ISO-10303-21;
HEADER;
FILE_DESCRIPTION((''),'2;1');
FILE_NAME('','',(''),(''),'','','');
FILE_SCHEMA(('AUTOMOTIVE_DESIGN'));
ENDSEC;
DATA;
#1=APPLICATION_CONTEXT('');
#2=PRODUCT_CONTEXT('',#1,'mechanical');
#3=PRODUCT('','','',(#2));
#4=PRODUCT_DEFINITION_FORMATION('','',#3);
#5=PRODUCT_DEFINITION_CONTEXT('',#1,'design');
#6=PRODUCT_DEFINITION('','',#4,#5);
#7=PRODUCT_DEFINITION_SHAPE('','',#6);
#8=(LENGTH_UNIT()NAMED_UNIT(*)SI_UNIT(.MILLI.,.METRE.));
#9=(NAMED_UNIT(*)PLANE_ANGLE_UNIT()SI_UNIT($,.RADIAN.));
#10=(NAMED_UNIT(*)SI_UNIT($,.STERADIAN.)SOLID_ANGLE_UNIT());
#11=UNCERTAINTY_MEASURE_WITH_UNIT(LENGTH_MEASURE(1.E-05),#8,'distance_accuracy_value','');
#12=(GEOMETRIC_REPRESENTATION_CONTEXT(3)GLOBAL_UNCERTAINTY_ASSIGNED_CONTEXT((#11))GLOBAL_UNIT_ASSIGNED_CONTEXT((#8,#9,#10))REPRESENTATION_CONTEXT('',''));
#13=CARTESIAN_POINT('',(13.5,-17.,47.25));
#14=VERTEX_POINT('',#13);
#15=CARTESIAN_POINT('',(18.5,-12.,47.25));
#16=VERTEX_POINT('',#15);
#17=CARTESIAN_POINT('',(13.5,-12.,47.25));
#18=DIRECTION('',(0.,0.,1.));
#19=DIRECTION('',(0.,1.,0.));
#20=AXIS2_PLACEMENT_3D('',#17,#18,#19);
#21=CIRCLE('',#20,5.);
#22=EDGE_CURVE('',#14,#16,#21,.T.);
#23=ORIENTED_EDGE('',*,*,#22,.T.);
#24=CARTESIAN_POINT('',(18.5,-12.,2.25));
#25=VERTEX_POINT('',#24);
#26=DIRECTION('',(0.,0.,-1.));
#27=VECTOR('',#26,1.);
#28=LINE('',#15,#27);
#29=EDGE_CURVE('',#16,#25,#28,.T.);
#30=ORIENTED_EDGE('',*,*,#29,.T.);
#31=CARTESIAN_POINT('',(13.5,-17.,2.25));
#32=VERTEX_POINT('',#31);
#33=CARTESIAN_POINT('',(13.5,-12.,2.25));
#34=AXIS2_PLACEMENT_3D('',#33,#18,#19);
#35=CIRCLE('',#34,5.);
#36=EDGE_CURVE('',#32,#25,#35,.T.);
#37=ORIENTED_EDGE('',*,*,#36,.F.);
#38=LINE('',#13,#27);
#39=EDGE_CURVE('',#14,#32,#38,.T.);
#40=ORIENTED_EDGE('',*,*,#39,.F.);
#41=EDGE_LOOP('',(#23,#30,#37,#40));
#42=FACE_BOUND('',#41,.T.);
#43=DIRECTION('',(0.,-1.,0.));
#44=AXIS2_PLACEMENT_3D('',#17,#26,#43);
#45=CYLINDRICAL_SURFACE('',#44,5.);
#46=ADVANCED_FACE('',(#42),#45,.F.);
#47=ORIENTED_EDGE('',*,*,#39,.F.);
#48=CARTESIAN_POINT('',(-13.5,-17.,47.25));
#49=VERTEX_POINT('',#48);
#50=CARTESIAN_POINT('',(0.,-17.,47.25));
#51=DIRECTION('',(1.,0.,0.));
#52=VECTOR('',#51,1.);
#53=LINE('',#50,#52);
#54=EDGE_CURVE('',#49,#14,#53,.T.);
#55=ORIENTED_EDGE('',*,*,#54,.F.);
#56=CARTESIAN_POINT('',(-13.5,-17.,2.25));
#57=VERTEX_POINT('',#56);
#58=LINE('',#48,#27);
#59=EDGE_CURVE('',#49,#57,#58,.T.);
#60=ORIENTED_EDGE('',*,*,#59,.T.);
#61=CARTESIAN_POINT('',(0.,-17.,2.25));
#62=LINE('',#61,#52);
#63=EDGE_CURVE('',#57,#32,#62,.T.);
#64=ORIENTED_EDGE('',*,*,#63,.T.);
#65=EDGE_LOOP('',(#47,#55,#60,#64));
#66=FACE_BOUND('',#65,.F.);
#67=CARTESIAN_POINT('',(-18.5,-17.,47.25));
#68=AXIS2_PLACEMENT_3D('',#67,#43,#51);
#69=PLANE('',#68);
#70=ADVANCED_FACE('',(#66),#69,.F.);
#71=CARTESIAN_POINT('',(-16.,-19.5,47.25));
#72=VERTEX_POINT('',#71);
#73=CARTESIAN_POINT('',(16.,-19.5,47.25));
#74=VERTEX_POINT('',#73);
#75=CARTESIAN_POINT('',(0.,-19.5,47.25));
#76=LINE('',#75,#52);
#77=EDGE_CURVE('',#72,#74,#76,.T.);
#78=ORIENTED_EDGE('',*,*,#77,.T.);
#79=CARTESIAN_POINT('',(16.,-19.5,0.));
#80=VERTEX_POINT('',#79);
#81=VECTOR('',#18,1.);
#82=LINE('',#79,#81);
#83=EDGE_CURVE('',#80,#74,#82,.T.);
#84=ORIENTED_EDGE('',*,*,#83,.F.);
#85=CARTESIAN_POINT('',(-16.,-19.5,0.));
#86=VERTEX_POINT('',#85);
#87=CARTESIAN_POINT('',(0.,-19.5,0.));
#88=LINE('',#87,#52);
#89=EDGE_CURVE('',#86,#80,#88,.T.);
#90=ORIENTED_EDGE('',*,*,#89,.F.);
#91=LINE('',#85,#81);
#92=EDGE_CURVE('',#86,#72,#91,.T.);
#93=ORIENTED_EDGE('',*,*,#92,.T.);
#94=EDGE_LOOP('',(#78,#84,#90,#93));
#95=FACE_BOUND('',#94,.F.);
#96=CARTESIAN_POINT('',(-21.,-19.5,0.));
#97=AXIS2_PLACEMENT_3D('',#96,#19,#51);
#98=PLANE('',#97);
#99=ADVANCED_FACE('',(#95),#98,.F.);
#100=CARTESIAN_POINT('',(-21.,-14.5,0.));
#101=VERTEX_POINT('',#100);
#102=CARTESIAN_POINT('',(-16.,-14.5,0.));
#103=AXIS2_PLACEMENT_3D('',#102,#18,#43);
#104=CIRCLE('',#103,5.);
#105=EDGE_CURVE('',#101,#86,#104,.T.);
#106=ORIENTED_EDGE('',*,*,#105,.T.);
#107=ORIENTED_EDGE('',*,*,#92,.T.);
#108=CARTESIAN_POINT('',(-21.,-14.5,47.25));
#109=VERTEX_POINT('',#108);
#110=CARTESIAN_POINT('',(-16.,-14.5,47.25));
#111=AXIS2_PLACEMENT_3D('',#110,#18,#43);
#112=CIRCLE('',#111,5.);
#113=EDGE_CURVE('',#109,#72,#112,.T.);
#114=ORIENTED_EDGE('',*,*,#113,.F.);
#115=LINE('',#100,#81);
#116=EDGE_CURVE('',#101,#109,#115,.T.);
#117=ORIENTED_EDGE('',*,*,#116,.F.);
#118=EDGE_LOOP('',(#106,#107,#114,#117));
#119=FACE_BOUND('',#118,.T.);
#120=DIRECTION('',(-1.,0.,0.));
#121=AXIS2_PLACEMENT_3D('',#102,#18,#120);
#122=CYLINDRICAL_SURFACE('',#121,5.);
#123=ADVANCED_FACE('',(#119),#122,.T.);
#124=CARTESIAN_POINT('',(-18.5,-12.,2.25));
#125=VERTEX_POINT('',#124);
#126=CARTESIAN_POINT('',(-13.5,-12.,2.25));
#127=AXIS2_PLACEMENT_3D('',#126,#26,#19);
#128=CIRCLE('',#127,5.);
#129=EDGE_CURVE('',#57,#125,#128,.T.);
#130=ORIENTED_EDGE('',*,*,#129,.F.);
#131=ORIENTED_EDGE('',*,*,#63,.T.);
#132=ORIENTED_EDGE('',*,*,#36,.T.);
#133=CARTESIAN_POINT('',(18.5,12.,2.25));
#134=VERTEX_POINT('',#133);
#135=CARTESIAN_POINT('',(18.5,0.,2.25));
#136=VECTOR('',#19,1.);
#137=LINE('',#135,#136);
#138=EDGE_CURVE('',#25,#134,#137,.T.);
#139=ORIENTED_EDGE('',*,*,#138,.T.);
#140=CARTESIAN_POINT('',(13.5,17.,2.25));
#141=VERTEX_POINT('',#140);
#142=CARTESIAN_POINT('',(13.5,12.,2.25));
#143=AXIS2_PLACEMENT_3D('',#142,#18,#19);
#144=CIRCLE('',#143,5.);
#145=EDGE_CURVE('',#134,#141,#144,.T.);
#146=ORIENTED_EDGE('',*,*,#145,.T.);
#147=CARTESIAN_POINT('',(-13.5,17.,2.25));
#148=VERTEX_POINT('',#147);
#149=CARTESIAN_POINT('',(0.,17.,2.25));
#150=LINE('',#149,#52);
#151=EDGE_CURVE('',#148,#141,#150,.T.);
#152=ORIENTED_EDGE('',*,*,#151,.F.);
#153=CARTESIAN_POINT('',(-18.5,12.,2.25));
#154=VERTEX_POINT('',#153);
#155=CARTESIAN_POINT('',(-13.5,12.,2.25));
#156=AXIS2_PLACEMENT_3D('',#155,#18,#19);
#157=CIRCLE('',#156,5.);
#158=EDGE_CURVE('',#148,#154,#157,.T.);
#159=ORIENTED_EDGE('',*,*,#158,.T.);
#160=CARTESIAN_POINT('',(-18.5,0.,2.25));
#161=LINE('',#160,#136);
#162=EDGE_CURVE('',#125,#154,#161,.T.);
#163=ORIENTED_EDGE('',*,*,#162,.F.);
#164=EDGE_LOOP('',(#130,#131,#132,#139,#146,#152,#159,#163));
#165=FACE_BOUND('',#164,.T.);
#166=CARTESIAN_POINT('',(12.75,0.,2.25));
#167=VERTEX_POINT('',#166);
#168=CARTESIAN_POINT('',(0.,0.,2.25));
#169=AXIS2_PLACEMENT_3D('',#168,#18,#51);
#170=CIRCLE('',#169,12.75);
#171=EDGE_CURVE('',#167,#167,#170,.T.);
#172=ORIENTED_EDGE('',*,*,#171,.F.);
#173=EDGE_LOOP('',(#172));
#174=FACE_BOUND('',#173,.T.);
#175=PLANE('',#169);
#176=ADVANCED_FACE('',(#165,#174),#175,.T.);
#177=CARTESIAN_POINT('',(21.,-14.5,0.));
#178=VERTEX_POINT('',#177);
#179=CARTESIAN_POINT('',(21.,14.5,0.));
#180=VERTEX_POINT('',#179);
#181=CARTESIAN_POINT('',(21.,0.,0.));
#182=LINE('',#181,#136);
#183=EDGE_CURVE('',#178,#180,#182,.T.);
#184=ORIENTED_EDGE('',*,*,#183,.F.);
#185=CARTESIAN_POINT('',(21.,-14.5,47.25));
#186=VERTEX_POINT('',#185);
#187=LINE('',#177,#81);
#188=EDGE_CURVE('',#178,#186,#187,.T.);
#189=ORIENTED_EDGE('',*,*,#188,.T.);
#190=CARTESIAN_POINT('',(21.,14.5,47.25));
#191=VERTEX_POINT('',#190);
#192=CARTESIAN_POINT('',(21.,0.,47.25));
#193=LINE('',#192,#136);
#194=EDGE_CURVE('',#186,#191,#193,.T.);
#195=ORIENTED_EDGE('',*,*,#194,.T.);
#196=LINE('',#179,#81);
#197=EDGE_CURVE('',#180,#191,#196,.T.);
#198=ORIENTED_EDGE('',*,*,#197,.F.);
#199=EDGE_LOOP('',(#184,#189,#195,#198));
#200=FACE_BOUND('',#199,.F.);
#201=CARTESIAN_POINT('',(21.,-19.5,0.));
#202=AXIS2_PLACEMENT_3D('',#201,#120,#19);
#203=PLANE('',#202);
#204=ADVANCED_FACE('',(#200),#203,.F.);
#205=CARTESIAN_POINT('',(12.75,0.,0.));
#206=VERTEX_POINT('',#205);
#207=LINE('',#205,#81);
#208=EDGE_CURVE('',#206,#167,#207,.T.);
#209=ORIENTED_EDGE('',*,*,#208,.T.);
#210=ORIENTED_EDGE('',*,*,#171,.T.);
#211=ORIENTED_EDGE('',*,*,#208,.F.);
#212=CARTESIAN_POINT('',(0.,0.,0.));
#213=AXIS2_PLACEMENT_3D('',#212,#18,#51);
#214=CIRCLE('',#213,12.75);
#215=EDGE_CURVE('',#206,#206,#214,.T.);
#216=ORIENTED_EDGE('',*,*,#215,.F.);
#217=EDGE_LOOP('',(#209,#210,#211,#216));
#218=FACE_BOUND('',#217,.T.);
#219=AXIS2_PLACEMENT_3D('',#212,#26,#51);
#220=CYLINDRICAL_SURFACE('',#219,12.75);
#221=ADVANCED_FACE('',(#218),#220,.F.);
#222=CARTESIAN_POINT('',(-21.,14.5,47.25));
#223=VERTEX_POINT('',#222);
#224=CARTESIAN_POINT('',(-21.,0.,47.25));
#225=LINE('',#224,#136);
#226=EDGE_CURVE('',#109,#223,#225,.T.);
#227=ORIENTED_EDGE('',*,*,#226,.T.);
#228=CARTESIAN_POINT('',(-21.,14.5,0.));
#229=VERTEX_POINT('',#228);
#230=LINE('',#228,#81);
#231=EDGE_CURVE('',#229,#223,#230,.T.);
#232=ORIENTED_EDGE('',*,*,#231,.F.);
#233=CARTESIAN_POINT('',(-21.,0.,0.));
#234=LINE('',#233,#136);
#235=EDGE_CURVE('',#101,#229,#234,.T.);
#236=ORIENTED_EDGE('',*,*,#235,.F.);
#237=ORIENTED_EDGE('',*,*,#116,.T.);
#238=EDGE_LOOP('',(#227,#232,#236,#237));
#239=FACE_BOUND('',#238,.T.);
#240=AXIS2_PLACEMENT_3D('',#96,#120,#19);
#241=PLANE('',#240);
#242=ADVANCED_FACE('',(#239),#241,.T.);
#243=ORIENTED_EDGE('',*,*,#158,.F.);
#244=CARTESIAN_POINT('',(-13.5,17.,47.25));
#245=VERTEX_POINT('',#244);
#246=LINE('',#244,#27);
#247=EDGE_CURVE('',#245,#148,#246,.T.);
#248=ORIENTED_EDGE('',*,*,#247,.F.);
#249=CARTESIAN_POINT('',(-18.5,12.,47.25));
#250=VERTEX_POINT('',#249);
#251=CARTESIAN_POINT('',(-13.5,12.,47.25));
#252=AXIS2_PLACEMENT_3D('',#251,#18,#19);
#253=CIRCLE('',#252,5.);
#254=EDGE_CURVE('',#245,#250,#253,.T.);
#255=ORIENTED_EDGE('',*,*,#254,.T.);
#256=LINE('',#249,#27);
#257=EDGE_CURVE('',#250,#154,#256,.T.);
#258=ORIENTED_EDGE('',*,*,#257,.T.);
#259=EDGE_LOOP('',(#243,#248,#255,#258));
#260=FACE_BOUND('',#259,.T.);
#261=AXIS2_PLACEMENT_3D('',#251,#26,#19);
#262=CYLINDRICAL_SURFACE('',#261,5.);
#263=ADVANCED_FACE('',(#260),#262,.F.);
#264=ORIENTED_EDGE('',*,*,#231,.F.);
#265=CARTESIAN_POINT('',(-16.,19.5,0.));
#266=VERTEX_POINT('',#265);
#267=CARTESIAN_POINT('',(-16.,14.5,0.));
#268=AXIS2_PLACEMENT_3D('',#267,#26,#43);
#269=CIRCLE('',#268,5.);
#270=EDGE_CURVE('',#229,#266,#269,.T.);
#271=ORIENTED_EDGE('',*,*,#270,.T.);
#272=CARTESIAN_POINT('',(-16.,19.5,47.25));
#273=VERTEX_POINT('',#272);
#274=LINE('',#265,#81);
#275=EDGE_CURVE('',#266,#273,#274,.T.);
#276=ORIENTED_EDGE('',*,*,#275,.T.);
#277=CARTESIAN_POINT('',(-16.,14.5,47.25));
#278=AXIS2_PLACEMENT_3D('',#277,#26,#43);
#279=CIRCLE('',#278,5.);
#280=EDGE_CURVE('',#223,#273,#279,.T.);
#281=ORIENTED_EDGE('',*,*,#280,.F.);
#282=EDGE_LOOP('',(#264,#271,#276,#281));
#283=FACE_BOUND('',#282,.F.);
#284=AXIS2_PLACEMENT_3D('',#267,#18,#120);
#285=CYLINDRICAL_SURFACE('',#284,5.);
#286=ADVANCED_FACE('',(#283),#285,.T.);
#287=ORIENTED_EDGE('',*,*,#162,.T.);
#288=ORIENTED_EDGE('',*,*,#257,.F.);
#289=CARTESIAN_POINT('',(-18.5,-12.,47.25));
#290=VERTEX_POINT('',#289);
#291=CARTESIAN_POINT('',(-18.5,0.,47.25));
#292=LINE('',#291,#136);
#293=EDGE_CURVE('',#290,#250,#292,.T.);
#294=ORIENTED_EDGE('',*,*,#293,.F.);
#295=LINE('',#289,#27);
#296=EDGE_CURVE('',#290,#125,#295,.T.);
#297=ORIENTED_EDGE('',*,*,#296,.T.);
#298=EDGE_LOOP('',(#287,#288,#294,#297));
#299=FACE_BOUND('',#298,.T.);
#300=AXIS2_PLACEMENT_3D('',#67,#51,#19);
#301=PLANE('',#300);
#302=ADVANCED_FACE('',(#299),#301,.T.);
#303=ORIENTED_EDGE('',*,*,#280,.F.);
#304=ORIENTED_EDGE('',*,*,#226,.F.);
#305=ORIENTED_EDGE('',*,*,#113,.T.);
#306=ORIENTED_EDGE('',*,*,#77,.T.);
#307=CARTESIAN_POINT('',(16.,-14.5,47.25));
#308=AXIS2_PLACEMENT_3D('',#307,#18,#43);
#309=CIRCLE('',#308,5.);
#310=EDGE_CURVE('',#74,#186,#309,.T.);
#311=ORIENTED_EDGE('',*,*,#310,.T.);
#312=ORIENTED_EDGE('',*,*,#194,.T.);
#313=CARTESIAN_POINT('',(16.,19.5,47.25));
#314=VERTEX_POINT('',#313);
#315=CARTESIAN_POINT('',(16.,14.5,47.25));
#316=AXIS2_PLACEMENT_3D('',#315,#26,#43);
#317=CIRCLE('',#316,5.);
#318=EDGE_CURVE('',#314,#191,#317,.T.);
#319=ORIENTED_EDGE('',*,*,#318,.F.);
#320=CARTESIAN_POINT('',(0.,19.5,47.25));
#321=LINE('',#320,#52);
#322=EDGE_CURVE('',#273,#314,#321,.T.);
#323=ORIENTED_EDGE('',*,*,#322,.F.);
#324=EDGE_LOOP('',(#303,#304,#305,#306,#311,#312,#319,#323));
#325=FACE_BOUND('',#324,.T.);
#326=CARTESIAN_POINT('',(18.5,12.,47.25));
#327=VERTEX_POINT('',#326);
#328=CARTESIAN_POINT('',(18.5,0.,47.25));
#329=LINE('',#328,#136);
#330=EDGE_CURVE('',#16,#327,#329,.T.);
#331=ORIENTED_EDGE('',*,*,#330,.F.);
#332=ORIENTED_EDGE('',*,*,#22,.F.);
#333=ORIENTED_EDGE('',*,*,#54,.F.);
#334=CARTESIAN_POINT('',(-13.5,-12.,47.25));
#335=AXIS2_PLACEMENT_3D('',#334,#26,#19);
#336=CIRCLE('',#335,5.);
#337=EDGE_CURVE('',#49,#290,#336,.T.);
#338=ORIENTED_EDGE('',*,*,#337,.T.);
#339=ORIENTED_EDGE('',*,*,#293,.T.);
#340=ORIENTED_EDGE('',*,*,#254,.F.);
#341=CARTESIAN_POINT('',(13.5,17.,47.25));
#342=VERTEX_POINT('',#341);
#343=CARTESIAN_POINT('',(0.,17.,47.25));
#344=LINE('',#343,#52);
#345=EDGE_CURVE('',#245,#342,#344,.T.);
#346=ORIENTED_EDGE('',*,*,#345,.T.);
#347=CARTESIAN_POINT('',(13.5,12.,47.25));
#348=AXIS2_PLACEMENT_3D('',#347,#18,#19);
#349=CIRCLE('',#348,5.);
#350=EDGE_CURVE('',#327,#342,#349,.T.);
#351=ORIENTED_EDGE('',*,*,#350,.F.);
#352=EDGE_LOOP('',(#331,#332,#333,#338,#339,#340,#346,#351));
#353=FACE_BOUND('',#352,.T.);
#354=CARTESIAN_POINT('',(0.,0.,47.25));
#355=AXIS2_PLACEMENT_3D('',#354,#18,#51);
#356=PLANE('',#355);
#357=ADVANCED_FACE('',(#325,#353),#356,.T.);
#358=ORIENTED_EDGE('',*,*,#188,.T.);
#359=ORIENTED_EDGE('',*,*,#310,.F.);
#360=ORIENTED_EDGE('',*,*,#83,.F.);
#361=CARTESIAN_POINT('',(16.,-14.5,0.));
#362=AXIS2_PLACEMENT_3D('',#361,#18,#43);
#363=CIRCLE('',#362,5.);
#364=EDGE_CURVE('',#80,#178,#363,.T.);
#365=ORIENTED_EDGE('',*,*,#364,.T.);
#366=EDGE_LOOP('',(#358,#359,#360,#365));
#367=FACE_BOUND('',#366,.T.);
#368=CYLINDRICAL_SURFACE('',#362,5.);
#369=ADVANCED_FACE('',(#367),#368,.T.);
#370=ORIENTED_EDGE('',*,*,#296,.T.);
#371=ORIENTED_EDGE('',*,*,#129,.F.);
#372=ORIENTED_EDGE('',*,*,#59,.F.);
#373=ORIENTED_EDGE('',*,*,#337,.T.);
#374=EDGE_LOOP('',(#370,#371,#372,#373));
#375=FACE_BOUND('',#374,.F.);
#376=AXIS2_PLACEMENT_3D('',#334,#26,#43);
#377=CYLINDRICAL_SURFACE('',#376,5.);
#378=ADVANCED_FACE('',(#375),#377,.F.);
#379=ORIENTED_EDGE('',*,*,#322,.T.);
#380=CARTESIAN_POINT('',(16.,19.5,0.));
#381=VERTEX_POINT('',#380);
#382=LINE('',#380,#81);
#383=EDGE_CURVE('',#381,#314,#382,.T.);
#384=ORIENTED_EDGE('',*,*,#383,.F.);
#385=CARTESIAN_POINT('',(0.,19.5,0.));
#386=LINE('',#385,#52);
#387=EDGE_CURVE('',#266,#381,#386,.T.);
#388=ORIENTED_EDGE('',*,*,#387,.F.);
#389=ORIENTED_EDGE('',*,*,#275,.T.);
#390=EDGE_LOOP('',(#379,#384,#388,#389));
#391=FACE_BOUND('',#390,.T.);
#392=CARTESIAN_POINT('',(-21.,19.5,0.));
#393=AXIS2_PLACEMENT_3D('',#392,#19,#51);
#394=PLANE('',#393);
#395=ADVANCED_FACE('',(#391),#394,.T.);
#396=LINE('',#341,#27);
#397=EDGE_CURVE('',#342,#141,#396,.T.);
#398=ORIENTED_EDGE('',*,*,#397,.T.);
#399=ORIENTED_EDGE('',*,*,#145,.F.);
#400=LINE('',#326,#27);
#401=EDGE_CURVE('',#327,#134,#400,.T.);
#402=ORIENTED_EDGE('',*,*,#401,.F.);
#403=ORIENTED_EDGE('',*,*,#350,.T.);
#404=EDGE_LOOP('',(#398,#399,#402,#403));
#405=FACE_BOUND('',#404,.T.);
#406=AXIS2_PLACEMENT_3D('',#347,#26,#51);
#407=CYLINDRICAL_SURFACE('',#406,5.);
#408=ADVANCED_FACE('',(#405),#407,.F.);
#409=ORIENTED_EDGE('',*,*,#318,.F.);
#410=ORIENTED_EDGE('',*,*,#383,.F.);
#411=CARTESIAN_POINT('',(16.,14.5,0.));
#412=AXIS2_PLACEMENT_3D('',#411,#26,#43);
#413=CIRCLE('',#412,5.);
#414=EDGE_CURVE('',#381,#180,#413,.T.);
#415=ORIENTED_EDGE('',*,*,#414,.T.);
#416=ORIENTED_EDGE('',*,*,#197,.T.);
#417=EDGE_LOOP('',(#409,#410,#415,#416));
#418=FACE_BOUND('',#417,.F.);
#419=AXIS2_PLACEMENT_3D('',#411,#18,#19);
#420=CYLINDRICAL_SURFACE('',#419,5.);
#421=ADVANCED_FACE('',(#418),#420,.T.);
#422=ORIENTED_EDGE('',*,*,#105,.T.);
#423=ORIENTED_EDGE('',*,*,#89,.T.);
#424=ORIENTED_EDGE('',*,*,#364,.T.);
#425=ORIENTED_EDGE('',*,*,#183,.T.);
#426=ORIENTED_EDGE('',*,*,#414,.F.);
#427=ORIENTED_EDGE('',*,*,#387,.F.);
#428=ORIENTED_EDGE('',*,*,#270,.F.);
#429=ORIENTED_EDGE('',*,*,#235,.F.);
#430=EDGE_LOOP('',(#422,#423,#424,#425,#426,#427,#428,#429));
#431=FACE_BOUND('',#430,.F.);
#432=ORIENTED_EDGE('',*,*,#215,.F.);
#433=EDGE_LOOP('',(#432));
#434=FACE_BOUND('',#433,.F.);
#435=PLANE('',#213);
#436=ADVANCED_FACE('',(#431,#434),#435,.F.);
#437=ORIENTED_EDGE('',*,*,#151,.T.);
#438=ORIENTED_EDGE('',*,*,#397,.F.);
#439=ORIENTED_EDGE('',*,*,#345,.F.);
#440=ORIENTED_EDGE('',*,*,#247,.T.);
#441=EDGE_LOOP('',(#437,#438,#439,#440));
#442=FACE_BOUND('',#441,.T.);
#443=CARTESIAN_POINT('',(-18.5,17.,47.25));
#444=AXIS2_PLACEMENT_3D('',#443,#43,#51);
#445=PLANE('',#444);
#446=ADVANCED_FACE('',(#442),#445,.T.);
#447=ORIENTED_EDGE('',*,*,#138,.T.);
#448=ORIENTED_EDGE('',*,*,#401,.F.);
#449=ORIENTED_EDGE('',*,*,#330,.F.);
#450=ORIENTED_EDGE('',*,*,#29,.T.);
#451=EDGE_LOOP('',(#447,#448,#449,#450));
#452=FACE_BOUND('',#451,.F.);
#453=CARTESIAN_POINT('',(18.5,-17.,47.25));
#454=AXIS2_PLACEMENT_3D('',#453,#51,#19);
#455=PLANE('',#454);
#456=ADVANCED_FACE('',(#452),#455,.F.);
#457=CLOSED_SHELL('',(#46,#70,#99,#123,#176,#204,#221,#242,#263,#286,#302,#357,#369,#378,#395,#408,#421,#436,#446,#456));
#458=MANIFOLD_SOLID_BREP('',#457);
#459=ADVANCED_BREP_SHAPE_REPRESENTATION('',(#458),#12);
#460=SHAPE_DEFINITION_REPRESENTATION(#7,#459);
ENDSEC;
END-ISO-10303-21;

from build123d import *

# Parameters (mm, degrees)
F0_W     = 42
F0_H     = 39
F0_R     = 12.75
F1_DEPTH = 47.25
F2_W     = 37
F2_H     = 34
F2_R     = 12.75
F3_DEPTH = 45
F4_R     = 5


with BuildPart() as f1:
    # F0 (on Top) → F1 (new body)
    with BuildSketch(Plane.XY):
        Rectangle(F0_W, F0_H)
        Circle(F0_R, mode=Mode.SUBTRACT)
    extrude(amount=F1_DEPTH)

    # F2 (on face) → F3 (cut)
    with BuildSketch(Plane.XY.offset(47.25)):
        Rectangle(F2_W, F2_H)
        Circle(F2_R, mode=Mode.SUBTRACT)
    extrude(amount=-F3_DEPTH, mode=Mode.SUBTRACT)

    # F4
    f4_edges = [f1.edges().sort_by_distance(p)[0] for p in [
        (-21, -19.5, 23.625),
        (21, -19.5, 23.625),
        (21, 19.5, 23.625),
        (-21, 19.5, 23.625),
        (-18.5, -17, 24.75),
        (-18.5, 17, 24.75),
        (18.5, 17, 24.75),
        (18.5, -17, 24.75),
    ]]
    fillet(f4_edges, radius=F4_R)


solid = f1.part
